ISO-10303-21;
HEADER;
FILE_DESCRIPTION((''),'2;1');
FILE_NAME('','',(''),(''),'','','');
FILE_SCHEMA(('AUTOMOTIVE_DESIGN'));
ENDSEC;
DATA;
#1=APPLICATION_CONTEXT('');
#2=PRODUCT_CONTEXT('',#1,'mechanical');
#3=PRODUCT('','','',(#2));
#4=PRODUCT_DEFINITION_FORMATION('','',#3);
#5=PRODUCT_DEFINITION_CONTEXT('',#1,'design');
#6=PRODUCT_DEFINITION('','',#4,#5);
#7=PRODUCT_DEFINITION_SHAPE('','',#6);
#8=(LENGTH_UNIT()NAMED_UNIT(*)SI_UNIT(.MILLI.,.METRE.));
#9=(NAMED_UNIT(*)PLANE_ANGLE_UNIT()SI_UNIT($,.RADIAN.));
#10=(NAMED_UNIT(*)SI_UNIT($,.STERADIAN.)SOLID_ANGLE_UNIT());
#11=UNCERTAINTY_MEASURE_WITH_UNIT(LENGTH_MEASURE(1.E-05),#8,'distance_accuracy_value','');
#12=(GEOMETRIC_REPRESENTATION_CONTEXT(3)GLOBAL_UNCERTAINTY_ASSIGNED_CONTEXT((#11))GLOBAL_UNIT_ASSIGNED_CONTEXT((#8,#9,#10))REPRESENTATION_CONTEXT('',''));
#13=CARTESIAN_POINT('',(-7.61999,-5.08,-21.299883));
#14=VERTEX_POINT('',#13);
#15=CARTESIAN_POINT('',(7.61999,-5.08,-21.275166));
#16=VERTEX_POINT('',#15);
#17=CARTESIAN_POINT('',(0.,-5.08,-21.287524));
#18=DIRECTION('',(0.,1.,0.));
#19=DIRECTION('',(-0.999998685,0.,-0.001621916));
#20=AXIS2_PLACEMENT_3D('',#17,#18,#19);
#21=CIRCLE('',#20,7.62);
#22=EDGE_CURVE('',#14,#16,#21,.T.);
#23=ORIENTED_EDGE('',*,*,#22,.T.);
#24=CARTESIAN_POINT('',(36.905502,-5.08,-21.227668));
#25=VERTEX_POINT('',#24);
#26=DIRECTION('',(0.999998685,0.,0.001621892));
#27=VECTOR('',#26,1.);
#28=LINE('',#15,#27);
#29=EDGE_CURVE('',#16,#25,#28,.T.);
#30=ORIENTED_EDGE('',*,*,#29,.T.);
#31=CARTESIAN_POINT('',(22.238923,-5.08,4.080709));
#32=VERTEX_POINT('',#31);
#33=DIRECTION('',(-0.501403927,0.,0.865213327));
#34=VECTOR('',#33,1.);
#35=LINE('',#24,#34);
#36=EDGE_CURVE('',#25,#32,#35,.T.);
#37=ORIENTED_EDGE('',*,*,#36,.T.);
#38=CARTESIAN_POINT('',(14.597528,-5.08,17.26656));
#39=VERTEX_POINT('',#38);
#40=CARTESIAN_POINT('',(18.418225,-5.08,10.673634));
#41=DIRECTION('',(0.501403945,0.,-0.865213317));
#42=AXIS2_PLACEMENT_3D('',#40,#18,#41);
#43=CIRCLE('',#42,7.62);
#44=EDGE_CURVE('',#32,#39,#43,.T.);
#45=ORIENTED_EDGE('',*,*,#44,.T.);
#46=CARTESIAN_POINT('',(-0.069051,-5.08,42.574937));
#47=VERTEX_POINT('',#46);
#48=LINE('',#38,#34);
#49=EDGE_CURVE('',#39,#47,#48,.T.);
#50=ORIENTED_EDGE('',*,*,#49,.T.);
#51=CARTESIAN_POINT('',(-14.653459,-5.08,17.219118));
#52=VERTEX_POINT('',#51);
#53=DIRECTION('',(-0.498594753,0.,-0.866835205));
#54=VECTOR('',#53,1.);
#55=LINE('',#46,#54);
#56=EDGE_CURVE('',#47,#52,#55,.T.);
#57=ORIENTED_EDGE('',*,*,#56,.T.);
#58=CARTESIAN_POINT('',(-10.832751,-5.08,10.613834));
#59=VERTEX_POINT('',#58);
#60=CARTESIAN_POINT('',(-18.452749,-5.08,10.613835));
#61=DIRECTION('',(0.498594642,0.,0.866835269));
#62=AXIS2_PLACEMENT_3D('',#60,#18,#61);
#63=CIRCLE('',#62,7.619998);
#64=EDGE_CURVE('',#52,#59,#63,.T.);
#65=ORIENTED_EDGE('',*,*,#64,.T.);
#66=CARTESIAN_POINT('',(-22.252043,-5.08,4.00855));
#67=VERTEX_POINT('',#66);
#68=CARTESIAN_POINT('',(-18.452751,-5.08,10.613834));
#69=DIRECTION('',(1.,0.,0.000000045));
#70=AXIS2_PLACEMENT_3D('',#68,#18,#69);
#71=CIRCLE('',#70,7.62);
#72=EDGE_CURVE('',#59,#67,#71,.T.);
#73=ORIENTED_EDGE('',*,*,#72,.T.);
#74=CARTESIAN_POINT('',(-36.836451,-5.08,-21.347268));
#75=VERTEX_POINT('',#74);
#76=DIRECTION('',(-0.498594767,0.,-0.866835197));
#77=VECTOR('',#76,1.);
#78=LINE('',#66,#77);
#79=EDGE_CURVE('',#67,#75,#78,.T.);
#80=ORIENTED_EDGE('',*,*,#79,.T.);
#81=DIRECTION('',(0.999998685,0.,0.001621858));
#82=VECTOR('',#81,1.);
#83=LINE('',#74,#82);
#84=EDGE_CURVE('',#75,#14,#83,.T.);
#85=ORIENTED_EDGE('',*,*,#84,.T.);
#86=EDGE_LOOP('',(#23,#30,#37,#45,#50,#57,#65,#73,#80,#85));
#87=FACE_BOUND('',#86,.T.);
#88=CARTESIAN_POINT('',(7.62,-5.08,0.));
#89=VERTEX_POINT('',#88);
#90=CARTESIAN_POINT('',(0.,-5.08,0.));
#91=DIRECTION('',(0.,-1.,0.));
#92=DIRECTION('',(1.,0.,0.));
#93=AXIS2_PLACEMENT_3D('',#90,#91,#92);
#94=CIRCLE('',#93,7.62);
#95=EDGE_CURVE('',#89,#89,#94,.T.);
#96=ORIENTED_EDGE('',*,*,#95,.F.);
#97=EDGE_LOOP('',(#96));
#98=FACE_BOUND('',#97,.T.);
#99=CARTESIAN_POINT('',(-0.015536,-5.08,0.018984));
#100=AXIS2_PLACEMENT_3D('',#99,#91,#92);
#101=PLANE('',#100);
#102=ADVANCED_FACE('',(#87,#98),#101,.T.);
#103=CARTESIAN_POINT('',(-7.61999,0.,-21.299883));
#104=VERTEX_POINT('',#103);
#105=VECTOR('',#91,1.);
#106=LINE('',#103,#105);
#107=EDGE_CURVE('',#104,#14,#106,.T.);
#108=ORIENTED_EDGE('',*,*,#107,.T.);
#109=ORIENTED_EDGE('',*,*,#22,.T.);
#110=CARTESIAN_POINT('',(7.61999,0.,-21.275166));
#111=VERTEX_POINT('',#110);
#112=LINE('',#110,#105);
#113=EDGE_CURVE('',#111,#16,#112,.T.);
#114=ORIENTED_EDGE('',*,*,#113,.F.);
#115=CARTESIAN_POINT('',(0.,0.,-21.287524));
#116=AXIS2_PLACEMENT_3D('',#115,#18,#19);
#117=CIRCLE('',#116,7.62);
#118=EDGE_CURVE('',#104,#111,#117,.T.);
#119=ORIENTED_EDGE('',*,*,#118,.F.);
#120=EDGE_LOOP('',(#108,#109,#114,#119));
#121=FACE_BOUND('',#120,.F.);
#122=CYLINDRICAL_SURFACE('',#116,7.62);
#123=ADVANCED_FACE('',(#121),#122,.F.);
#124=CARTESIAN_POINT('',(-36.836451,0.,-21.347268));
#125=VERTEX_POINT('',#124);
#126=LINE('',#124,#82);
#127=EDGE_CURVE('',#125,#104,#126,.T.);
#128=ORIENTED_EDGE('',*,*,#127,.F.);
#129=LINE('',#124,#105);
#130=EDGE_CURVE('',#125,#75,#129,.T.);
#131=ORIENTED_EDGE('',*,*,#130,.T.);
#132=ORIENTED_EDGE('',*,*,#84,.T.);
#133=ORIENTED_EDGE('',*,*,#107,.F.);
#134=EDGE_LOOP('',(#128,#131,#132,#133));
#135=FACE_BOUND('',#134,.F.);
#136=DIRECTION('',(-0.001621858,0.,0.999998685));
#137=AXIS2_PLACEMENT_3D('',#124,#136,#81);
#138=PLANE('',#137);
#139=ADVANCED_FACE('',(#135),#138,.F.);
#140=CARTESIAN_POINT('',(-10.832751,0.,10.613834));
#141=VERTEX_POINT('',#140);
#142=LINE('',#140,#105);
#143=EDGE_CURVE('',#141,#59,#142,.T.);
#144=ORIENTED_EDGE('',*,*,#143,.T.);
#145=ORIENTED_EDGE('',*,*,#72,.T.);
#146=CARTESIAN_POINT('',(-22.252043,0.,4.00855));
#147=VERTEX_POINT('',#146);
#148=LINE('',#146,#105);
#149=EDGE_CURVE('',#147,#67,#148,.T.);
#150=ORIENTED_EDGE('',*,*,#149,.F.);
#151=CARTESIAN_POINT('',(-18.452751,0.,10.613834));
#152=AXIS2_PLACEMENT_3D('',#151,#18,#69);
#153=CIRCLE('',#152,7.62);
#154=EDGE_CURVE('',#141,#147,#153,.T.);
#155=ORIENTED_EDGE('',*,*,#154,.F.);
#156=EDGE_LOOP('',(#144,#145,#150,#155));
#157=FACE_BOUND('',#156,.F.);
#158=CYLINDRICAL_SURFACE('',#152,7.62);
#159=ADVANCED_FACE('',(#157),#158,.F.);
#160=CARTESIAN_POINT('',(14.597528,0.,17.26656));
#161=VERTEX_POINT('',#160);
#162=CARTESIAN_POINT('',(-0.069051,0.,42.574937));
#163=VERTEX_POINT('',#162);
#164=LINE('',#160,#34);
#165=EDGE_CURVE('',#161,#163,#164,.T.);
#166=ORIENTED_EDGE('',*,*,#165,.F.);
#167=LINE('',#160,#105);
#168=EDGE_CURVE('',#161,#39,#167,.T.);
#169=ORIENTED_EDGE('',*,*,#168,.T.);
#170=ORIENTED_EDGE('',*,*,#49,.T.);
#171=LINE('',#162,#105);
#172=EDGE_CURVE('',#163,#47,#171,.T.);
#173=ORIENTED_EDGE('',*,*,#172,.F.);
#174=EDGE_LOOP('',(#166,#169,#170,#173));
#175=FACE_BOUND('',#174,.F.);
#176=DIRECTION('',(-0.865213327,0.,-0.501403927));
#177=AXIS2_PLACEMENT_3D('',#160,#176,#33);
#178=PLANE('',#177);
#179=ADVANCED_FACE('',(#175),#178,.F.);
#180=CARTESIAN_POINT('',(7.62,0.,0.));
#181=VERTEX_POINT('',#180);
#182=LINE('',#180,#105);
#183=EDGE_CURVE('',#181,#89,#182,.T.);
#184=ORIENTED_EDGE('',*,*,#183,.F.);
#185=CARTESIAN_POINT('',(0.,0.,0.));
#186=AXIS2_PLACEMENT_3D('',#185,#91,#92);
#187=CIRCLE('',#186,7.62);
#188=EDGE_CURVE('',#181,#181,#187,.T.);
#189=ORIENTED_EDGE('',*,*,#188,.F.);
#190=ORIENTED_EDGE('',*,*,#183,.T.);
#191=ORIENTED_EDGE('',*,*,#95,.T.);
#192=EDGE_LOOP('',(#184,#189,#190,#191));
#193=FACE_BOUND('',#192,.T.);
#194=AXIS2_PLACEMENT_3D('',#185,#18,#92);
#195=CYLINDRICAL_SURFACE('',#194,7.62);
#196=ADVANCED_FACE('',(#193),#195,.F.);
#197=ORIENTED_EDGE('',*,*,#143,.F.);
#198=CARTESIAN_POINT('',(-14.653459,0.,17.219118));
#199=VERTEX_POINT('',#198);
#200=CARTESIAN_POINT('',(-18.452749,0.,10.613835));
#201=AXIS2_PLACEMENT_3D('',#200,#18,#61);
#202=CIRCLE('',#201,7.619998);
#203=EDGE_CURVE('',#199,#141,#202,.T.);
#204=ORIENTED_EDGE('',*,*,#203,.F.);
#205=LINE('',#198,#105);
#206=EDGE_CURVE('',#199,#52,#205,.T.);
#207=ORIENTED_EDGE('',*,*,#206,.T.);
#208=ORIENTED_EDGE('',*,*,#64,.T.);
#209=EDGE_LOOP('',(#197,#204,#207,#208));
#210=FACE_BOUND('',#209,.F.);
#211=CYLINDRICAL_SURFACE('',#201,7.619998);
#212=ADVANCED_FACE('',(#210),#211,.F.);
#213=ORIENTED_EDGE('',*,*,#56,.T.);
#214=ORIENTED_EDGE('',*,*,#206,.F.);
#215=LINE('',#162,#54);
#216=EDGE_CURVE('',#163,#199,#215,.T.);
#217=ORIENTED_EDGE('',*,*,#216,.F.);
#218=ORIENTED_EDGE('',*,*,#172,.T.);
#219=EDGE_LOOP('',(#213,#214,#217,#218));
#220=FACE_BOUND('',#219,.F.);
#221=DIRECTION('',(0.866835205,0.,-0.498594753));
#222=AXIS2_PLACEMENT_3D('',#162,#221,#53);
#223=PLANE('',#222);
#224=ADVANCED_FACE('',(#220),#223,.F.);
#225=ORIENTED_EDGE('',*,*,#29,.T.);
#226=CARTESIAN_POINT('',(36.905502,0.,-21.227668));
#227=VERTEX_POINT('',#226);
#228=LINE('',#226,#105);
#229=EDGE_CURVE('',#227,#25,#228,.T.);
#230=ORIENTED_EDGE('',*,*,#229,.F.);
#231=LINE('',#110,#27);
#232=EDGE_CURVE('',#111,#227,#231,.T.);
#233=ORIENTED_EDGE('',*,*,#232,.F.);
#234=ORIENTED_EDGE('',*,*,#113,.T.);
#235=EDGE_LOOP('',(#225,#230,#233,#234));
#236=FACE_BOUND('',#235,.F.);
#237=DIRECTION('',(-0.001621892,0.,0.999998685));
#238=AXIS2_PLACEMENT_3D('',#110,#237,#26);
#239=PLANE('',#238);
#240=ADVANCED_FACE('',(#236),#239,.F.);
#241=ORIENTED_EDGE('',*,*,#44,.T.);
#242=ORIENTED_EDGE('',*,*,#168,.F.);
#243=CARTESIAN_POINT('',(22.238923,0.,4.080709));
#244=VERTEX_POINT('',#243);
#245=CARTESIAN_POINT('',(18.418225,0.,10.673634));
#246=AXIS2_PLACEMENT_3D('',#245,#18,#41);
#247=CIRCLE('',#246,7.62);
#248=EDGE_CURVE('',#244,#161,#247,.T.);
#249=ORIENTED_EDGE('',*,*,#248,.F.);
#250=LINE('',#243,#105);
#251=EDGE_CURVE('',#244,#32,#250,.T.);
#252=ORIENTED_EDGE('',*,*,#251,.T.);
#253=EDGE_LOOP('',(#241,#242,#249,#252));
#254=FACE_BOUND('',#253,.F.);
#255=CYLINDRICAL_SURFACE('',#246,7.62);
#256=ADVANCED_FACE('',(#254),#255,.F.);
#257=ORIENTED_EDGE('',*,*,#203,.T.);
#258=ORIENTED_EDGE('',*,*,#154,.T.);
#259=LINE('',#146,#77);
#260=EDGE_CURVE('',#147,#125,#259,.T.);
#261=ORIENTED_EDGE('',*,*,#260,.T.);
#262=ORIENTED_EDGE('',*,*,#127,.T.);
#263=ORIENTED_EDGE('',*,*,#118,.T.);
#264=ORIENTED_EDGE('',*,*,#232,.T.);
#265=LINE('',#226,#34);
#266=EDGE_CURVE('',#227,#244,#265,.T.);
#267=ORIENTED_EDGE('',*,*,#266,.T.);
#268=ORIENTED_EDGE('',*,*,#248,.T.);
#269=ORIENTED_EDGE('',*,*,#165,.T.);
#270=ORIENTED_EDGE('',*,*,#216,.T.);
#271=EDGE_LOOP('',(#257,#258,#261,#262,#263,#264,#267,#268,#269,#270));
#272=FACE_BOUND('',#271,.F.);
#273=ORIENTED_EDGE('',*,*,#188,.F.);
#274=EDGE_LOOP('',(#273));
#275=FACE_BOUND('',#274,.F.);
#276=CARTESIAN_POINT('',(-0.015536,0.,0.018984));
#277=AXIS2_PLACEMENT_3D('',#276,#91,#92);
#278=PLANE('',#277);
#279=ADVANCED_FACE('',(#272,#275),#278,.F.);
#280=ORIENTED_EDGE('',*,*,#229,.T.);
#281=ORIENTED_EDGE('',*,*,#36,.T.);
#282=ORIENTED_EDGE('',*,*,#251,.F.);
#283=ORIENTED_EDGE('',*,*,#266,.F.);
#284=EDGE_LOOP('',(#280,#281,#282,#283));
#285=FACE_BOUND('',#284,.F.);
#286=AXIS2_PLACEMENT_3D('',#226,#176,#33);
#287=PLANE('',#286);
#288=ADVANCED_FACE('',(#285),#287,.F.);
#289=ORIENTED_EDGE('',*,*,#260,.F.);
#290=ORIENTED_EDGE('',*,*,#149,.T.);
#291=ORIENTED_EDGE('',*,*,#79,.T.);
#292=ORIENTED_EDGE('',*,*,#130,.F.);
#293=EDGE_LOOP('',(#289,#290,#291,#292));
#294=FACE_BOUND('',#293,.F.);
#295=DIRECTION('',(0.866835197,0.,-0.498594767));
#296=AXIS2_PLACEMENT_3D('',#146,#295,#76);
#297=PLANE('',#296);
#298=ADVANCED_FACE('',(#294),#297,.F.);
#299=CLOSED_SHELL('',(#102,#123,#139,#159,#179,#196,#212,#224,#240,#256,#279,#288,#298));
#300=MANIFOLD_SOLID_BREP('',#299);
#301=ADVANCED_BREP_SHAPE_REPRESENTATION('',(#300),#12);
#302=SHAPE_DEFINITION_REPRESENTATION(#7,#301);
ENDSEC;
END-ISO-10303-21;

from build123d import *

# Parameters (mm, degrees)
F0_R     = 7.62
F1_DEPTH = 5.08


with BuildPart() as f1:
    # F0 (on Front) → F1 (new body)
    with BuildSketch(Plane.XZ):
        with BuildLine():
            Line((7.61999, -21.275166), (36.905502, -21.227668))
            Line((36.905502, -21.227668), (22.238923, 4.080709))
            ThreePointArc((22.238923, 4.080709), (11.8253, 6.852936), (14.597528, 17.26656))
            Line((14.597528, 17.26656), (-0.069051, 42.574937))
            Line((-0.069051, 42.574937), (-14.653459, 17.219118))
            ThreePointArc((-14.653459, 17.219118), (-11.856729, 14.429184), (-10.832751, 10.613834))
            ThreePointArc((-10.832751, 10.613834), (-14.637401, 4.017812), (-22.252043, 4.00855))
            Line((-22.252043, 4.00855), (-36.836451, -21.347268))
            Line((-36.836451, -21.347268), (-7.61999, -21.299883))
            ThreePointArc((-7.61999, -21.299883), (-0.012359, -13.667534), (7.61999, -21.275166))
        make_face()
        Circle(F0_R, mode=Mode.SUBTRACT)
    extrude(amount=F1_DEPTH)


solid = f1.part
